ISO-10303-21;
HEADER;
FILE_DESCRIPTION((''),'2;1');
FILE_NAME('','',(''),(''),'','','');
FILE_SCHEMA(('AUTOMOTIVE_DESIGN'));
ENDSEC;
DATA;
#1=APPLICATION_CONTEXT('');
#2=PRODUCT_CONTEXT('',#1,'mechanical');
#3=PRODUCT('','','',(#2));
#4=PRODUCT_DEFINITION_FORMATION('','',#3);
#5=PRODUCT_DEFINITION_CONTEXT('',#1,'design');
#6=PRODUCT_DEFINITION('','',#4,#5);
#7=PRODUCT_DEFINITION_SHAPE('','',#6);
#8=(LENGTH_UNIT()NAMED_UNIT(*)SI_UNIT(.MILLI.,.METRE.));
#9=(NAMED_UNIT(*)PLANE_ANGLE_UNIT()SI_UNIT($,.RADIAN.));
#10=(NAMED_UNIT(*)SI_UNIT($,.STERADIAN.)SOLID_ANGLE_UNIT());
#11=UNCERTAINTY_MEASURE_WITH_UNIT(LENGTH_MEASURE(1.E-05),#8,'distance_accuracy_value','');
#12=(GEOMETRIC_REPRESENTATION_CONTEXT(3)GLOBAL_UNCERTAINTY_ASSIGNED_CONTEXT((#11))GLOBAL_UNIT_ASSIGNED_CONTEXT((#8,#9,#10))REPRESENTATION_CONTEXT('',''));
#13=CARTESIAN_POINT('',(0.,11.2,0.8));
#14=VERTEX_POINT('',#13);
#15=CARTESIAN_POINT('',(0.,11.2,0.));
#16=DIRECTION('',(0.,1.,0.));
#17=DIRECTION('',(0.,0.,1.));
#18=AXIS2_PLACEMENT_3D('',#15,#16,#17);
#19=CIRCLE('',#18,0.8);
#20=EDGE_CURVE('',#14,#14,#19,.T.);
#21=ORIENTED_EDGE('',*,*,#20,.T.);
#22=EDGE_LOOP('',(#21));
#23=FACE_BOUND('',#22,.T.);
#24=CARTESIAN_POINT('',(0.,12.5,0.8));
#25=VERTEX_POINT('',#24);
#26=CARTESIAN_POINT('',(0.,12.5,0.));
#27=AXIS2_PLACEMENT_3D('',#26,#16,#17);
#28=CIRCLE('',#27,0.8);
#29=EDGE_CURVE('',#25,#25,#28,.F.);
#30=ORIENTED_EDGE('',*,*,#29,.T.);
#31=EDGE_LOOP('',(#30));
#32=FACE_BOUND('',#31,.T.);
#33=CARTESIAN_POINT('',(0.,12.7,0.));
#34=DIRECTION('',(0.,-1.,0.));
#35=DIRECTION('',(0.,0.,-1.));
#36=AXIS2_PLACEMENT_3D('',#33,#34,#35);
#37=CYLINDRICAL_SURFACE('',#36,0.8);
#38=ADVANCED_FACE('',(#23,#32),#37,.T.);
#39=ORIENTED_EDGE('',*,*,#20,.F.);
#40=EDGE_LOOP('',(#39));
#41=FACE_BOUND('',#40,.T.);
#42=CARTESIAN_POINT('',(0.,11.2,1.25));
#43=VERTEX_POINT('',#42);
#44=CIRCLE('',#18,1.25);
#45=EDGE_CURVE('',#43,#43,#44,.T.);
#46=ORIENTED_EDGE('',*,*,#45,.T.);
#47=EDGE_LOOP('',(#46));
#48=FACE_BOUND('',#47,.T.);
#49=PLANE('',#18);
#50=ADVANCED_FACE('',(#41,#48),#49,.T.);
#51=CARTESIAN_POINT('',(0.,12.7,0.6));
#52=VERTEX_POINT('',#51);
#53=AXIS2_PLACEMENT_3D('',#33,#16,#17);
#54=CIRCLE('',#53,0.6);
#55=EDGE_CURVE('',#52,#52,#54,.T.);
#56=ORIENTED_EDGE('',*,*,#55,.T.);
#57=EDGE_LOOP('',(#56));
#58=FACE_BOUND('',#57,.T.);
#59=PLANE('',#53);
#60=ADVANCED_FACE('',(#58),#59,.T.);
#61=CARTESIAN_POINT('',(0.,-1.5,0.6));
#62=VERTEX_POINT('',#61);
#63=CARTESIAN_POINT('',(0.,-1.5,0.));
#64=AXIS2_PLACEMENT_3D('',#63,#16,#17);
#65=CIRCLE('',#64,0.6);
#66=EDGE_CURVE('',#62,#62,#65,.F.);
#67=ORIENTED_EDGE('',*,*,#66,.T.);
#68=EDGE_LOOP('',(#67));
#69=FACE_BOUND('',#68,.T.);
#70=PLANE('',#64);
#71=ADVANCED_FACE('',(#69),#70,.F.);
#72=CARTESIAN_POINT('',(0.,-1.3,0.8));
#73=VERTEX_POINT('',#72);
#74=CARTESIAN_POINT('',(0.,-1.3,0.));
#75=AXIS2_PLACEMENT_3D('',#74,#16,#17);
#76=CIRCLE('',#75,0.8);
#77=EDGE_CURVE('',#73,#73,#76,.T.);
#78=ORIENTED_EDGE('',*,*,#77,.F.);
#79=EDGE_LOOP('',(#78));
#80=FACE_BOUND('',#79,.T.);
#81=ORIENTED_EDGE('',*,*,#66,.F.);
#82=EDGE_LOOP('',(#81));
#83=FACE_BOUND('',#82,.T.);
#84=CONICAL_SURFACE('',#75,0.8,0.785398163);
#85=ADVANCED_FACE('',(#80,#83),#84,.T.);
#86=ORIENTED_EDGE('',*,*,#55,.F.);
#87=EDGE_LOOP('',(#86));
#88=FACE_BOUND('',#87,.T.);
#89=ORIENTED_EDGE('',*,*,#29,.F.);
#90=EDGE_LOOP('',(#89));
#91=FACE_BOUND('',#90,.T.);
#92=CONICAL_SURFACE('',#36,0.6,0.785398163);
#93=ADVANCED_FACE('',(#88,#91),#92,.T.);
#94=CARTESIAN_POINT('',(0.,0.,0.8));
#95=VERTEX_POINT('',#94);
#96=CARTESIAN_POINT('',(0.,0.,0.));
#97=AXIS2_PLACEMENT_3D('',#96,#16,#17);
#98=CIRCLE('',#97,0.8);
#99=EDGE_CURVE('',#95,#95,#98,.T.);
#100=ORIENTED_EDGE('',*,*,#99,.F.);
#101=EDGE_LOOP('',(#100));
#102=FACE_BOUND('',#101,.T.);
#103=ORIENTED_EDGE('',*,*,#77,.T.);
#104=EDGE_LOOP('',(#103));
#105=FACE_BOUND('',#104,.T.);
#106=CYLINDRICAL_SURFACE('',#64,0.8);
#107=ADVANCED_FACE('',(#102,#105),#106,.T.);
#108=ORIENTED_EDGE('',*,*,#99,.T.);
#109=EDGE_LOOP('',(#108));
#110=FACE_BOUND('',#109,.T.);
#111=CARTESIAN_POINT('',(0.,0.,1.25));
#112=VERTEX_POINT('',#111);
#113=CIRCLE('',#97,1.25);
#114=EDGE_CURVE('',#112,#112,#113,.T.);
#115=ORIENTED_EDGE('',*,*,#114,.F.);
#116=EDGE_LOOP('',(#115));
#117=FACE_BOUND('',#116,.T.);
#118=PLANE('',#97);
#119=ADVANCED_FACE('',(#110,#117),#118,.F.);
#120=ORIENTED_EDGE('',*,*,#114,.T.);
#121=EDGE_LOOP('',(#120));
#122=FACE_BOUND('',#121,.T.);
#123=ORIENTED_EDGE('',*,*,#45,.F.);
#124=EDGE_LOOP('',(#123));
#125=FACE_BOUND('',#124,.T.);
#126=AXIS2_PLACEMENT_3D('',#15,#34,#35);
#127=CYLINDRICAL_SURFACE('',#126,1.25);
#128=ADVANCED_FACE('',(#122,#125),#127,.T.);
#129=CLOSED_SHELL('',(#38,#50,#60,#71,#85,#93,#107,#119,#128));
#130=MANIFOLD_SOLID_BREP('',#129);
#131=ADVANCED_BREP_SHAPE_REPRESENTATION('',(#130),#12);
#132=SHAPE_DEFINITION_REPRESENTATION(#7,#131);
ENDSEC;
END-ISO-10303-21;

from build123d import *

# Parameters (mm, degrees)
SKETCH1_R           = 1.25
BOSS_EXTRUDE1_DEPTH = 11.2
SKETCH2_R           = 0.8
BOSS_EXTRUDE2_DEPTH = 1.5
BOSS_EXTRUDE3_START = -12.7
SKETCH2_2_R         = 0.8
BOSS_EXTRUDE3_DEPTH = 1.5
CHAMFER1_SIZE       = 0.2


with BuildPart() as part:
    # Sketch1 → Boss-Extrude1 (new body)
    with BuildSketch(Plane(origin=(0, 0, 0), x_dir=(1, 0, 0), z_dir=(0, 1, 0))):
        with Locations(Location((0, 0, 0), (0, 0, 270))):
            Circle(SKETCH1_R)
    extrude(amount=BOSS_EXTRUDE1_DEPTH)

    # Sketch2 → Boss-Extrude2 (add)
    with BuildSketch(Plane(origin=(0, 11.2, 0), x_dir=(1, 0, 0), z_dir=(0, 1, 0))):
        with Locations(Location((0, 0, 0), (0, 0, 270))):
            Circle(SKETCH2_R)
    extrude(amount=BOSS_EXTRUDE2_DEPTH)

    # Sketch2<2> → Boss-Extrude3 (add)
    with BuildSketch(Plane(origin=(0, 11.2, 0), x_dir=(1, 0, 0), z_dir=(0, 1, 0)).offset(BOSS_EXTRUDE3_START)):
        with Locations(Location((0, 0, 0), (0, 0, 270))):
            Circle(SKETCH2_2_R)
    extrude(amount=BOSS_EXTRUDE3_DEPTH)

    # Chamfer1
    chamfer1_edges = [part.edges().sort_by_distance(p)[0] for p in [
        (0, -1.5, -0.8),
        (0, 12.7, -0.8),
    ]]
    chamfer(chamfer1_edges, length=CHAMFER1_SIZE)


solid = part.part
